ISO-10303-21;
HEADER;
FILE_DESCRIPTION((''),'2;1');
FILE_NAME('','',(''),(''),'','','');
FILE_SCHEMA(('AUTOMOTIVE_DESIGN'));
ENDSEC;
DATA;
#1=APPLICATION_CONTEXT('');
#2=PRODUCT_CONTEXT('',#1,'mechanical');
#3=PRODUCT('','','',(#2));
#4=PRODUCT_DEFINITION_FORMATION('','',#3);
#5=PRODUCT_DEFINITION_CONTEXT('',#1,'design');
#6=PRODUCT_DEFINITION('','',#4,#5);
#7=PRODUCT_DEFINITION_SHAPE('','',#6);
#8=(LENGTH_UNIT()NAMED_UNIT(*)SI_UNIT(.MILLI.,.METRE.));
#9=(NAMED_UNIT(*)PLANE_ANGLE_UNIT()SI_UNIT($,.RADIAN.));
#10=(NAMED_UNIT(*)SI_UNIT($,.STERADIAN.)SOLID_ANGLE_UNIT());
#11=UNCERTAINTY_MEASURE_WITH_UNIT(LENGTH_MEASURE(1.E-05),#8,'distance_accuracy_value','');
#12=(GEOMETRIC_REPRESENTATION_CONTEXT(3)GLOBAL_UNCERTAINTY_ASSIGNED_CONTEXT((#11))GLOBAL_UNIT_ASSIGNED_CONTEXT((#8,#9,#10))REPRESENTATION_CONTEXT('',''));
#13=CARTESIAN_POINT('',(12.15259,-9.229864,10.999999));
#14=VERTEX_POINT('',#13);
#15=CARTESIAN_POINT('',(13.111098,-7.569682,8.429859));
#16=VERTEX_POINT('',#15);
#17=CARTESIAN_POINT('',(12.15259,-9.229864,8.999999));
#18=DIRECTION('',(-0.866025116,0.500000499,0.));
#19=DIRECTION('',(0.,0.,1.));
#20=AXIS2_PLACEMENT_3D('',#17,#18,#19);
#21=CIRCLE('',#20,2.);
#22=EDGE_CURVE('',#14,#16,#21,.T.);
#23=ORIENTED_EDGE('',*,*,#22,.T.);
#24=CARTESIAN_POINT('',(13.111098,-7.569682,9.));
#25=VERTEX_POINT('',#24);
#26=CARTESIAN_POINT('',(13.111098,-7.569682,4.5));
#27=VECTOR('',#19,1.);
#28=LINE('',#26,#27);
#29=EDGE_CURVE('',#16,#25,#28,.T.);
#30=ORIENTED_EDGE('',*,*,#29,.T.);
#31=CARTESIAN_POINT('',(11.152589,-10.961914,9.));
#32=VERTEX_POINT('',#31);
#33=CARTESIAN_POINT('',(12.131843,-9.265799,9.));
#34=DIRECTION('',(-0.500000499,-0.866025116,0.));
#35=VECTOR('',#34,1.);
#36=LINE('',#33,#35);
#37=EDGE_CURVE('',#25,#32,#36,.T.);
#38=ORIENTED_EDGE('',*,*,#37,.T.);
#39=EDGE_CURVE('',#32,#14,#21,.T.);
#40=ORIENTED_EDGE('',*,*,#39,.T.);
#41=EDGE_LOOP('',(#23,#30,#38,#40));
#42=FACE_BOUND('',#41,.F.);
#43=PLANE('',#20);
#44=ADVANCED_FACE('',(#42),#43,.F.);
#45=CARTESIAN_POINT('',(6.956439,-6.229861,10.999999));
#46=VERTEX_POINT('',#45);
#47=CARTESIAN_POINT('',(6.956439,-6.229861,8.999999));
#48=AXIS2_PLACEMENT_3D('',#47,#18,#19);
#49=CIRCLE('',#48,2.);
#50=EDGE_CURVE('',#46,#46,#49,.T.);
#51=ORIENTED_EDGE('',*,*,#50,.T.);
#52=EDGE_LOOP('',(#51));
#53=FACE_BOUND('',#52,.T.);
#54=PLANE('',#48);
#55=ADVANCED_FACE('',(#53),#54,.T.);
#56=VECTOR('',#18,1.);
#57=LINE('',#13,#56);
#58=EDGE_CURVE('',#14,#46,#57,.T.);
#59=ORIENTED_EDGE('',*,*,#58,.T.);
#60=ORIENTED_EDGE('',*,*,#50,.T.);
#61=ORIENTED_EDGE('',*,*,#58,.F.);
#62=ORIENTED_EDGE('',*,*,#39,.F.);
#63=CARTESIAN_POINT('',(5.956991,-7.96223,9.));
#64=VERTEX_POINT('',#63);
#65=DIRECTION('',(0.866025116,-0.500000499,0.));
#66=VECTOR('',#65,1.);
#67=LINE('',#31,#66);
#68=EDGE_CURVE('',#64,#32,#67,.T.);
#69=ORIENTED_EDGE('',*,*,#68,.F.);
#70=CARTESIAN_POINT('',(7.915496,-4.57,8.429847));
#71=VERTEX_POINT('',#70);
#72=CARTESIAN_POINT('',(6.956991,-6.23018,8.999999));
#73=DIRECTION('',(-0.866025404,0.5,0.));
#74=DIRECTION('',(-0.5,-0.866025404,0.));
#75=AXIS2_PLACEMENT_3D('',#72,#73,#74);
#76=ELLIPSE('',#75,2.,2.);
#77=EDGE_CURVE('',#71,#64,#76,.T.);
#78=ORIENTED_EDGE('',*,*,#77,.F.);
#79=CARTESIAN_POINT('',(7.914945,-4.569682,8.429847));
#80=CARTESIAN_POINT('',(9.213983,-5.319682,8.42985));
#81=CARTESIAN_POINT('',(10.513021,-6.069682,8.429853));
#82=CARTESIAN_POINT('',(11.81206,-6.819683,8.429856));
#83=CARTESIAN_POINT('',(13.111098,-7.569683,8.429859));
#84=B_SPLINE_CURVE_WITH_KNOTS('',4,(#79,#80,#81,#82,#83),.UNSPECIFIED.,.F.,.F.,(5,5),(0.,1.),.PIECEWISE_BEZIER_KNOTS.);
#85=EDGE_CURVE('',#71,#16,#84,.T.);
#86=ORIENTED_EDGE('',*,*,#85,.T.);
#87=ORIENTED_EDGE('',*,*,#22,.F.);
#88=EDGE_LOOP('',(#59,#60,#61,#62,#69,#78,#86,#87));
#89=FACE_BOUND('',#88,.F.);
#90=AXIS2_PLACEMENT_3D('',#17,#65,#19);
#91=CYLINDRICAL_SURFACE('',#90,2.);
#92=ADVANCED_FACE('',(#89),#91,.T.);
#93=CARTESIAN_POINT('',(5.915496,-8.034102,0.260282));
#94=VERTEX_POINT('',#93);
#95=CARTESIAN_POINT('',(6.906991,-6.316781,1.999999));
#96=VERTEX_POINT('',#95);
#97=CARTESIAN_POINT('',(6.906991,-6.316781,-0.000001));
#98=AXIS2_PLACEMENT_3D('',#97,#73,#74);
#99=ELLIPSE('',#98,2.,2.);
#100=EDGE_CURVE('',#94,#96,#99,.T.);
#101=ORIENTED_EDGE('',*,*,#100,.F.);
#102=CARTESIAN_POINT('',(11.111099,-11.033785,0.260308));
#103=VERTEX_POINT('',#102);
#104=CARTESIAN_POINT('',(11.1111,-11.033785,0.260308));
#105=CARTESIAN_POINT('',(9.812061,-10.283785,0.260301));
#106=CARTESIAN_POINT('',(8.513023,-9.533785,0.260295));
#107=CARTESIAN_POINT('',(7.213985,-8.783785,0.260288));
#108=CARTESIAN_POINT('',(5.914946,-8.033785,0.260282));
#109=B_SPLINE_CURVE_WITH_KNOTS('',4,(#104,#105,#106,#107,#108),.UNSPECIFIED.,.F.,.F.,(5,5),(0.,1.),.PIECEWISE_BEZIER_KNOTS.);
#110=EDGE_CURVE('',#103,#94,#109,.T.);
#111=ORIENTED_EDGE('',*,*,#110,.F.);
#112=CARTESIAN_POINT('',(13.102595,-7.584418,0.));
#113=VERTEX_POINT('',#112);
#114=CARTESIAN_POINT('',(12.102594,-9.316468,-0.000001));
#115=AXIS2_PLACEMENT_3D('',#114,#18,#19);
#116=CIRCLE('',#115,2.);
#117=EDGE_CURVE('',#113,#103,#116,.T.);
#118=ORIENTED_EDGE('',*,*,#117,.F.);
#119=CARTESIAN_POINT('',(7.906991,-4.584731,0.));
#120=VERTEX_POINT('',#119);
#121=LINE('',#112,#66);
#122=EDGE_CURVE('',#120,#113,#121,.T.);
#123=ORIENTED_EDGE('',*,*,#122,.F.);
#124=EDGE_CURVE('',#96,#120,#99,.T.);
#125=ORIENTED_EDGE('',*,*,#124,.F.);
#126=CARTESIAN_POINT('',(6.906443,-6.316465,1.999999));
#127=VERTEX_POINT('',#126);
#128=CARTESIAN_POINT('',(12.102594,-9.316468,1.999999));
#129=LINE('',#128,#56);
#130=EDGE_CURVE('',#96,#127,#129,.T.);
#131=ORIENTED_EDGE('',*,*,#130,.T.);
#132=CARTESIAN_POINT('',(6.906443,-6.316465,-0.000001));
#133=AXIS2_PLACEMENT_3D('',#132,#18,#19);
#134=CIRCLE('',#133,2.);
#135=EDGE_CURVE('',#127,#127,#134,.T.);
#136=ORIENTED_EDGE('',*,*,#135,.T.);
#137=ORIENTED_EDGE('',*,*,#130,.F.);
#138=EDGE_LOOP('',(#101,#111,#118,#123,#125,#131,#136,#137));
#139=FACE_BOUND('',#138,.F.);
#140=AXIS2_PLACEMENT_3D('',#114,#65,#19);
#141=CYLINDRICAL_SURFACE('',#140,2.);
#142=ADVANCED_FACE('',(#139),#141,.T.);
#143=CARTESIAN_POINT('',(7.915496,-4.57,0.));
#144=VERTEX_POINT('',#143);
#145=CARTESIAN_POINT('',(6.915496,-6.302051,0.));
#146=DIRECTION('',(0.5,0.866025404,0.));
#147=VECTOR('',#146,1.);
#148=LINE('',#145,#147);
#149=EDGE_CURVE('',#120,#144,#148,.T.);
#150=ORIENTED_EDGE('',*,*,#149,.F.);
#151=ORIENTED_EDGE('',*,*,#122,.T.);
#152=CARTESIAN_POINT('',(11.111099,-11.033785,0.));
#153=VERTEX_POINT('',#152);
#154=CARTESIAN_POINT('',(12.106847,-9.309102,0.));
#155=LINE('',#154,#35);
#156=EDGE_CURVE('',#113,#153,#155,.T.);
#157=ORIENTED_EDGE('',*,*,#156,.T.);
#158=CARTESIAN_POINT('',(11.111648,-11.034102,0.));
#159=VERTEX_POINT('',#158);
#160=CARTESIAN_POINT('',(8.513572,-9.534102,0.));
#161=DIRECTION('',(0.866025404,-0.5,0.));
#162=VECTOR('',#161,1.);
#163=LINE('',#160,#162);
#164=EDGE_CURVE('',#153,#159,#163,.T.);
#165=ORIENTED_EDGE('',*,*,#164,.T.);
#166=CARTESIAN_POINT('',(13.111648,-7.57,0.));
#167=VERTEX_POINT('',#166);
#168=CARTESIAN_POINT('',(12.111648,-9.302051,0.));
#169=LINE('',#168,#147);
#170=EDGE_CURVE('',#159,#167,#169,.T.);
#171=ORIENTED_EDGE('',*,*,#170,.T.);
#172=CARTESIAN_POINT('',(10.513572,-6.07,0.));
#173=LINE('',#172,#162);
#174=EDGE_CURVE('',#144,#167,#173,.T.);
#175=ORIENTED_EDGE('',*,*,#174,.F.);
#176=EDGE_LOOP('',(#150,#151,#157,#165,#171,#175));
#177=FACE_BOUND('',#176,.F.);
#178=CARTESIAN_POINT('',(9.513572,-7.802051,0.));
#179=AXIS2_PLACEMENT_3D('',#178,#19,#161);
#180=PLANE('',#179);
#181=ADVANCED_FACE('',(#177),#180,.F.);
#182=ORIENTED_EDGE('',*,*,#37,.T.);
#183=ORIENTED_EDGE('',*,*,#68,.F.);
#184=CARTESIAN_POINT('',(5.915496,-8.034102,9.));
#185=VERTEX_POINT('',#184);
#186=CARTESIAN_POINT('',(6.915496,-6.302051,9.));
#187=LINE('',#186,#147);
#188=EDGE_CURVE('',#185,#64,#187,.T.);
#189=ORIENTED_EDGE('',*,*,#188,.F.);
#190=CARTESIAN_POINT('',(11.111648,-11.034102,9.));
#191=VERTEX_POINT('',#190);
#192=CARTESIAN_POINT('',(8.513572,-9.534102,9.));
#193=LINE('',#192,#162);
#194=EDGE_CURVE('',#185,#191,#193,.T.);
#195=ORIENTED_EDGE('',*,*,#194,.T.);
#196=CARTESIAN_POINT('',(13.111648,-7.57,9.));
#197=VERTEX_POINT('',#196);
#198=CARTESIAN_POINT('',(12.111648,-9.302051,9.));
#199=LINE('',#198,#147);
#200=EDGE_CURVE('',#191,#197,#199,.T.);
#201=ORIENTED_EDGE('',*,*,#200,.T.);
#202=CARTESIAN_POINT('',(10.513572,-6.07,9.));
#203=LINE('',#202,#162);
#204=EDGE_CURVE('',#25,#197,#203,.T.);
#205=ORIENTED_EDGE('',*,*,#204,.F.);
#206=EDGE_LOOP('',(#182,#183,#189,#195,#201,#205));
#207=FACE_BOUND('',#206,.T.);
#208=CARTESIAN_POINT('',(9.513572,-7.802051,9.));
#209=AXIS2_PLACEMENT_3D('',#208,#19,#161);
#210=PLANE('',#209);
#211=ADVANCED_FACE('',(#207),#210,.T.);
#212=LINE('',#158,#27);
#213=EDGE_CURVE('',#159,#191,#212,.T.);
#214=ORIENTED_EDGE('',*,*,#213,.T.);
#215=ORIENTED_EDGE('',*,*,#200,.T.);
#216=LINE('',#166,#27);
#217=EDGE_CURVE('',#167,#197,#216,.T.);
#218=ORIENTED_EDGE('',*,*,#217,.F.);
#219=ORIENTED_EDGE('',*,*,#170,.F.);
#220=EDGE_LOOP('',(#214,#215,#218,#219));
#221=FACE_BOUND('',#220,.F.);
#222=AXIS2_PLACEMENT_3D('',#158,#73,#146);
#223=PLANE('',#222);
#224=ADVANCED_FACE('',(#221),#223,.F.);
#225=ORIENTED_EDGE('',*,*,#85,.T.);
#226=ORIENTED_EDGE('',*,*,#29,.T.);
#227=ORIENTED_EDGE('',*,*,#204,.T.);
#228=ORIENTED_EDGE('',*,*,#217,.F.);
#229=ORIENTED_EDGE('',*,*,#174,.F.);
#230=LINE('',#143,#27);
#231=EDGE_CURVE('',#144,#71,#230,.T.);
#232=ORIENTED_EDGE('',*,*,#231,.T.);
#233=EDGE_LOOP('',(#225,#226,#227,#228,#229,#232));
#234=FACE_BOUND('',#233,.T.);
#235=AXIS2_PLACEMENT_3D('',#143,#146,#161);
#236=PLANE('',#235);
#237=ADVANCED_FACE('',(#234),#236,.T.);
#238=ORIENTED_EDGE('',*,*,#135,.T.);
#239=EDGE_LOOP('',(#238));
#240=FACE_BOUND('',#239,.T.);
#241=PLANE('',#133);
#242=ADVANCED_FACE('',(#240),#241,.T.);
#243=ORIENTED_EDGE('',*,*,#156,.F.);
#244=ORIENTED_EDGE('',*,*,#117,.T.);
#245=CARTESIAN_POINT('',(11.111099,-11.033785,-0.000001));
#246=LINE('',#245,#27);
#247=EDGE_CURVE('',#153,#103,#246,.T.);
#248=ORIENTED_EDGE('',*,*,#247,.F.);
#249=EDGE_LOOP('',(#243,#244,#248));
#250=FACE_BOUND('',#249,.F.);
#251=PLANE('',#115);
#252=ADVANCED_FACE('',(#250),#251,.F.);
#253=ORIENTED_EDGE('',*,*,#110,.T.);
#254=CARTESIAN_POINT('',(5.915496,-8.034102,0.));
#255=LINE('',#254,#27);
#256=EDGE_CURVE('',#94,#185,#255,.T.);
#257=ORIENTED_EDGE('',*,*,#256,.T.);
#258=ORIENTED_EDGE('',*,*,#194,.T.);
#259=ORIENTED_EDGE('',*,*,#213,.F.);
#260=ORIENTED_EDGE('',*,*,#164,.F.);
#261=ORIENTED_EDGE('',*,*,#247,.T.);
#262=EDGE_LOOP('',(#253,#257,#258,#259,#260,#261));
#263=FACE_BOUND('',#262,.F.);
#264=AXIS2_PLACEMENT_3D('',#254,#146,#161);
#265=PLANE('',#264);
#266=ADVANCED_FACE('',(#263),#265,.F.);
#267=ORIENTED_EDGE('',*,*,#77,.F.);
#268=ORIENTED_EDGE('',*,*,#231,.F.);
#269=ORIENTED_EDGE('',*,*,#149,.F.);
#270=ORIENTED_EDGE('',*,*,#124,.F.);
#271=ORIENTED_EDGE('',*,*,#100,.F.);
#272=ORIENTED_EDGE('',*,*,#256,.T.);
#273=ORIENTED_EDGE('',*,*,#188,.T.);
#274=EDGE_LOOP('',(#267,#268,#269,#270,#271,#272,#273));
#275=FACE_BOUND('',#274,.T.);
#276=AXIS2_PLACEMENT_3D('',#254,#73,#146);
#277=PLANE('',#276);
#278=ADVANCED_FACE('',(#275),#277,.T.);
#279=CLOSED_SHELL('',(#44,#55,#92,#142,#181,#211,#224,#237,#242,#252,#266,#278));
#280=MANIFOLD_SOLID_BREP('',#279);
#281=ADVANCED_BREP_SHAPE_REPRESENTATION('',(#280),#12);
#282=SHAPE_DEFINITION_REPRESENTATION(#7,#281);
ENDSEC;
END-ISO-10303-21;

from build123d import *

# Parameters (mm, degrees)
CYLINDER006_R               = 2
CYLINDER006_DEPTH           = 6
CYLINDER006_PITCH_ANGLE     = -90
CYLINDER006_PLACEMENT_ANGLE = -30.000033
CYLINDER007_R               = 2
CYLINDER007_DEPTH           = 6
CYLINDER007_PITCH_ANGLE     = -90
CYLINDER007_PLACEMENT_ANGLE = -30.000033
BOX012_W                    = 6
BOX012_H                    = 4
BOX012_DEPTH                = 9
BOX012_PLACEMENT_ANGLE      = 30


with BuildPart() as cylinder006:
    # Cylinder006 → Cylinder006 (new body)
    with BuildSketch(Plane.XY):
        Circle(CYLINDER006_R)
    extrude(amount=CYLINDER006_DEPTH)


with BuildPart() as cylinder006_1:
    # Cylinder006 pitch: moved
    add(cylinder006.part.rotate(Axis((0, 0, 0), (0, 1, 0)), CYLINDER006_PITCH_ANGLE))


with BuildPart() as cylinder006_2:
    # Cylinder006 placement: moved
    add(cylinder006_1.part.moved(Location((12.102594, -9.316468, -1e-06))).rotate(Axis((12.102594, -9.316468, -1e-06), (0, 0, 1)), CYLINDER006_PLACEMENT_ANGLE))


with BuildPart() as cylinder007:
    # Cylinder007 → Cylinder007 (new body)
    with BuildSketch(Plane.XY):
        Circle(CYLINDER007_R)
    extrude(amount=CYLINDER007_DEPTH)


with BuildPart() as cylinder007_1:
    # Cylinder007 pitch: moved
    add(cylinder007.part.rotate(Axis((0, 0, 0), (0, 1, 0)), CYLINDER007_PITCH_ANGLE))


with BuildPart() as cylinder007_2:
    # Cylinder007 placement: moved
    add(cylinder007_1.part.moved(Location((12.15259, -9.229864, 8.999999))).rotate(Axis((12.15259, -9.229864, 8.999999), (0, 0, 1)), CYLINDER007_PLACEMENT_ANGLE))


with BuildPart() as fusion011:
    # Box012 → Box012 (new body)
    with BuildSketch(Plane.XY):
        with Locations((3, 2)):
            Rectangle(BOX012_W, BOX012_H)
    extrude(amount=BOX012_DEPTH)


with BuildPart() as fusion011_1:
    # Box012 placement: moved
    add(fusion011.part.moved(Location((5.915496, -8.034102, 0))).rotate(Axis((5.915496, -8.034102, 0), (0, 0, -1)), BOX012_PLACEMENT_ANGLE))

    # Fusion011: union Cylinder006, Cylinder007
    add(cylinder006_2.part)
    add(cylinder007_2.part)


solid = fusion011_1.part
